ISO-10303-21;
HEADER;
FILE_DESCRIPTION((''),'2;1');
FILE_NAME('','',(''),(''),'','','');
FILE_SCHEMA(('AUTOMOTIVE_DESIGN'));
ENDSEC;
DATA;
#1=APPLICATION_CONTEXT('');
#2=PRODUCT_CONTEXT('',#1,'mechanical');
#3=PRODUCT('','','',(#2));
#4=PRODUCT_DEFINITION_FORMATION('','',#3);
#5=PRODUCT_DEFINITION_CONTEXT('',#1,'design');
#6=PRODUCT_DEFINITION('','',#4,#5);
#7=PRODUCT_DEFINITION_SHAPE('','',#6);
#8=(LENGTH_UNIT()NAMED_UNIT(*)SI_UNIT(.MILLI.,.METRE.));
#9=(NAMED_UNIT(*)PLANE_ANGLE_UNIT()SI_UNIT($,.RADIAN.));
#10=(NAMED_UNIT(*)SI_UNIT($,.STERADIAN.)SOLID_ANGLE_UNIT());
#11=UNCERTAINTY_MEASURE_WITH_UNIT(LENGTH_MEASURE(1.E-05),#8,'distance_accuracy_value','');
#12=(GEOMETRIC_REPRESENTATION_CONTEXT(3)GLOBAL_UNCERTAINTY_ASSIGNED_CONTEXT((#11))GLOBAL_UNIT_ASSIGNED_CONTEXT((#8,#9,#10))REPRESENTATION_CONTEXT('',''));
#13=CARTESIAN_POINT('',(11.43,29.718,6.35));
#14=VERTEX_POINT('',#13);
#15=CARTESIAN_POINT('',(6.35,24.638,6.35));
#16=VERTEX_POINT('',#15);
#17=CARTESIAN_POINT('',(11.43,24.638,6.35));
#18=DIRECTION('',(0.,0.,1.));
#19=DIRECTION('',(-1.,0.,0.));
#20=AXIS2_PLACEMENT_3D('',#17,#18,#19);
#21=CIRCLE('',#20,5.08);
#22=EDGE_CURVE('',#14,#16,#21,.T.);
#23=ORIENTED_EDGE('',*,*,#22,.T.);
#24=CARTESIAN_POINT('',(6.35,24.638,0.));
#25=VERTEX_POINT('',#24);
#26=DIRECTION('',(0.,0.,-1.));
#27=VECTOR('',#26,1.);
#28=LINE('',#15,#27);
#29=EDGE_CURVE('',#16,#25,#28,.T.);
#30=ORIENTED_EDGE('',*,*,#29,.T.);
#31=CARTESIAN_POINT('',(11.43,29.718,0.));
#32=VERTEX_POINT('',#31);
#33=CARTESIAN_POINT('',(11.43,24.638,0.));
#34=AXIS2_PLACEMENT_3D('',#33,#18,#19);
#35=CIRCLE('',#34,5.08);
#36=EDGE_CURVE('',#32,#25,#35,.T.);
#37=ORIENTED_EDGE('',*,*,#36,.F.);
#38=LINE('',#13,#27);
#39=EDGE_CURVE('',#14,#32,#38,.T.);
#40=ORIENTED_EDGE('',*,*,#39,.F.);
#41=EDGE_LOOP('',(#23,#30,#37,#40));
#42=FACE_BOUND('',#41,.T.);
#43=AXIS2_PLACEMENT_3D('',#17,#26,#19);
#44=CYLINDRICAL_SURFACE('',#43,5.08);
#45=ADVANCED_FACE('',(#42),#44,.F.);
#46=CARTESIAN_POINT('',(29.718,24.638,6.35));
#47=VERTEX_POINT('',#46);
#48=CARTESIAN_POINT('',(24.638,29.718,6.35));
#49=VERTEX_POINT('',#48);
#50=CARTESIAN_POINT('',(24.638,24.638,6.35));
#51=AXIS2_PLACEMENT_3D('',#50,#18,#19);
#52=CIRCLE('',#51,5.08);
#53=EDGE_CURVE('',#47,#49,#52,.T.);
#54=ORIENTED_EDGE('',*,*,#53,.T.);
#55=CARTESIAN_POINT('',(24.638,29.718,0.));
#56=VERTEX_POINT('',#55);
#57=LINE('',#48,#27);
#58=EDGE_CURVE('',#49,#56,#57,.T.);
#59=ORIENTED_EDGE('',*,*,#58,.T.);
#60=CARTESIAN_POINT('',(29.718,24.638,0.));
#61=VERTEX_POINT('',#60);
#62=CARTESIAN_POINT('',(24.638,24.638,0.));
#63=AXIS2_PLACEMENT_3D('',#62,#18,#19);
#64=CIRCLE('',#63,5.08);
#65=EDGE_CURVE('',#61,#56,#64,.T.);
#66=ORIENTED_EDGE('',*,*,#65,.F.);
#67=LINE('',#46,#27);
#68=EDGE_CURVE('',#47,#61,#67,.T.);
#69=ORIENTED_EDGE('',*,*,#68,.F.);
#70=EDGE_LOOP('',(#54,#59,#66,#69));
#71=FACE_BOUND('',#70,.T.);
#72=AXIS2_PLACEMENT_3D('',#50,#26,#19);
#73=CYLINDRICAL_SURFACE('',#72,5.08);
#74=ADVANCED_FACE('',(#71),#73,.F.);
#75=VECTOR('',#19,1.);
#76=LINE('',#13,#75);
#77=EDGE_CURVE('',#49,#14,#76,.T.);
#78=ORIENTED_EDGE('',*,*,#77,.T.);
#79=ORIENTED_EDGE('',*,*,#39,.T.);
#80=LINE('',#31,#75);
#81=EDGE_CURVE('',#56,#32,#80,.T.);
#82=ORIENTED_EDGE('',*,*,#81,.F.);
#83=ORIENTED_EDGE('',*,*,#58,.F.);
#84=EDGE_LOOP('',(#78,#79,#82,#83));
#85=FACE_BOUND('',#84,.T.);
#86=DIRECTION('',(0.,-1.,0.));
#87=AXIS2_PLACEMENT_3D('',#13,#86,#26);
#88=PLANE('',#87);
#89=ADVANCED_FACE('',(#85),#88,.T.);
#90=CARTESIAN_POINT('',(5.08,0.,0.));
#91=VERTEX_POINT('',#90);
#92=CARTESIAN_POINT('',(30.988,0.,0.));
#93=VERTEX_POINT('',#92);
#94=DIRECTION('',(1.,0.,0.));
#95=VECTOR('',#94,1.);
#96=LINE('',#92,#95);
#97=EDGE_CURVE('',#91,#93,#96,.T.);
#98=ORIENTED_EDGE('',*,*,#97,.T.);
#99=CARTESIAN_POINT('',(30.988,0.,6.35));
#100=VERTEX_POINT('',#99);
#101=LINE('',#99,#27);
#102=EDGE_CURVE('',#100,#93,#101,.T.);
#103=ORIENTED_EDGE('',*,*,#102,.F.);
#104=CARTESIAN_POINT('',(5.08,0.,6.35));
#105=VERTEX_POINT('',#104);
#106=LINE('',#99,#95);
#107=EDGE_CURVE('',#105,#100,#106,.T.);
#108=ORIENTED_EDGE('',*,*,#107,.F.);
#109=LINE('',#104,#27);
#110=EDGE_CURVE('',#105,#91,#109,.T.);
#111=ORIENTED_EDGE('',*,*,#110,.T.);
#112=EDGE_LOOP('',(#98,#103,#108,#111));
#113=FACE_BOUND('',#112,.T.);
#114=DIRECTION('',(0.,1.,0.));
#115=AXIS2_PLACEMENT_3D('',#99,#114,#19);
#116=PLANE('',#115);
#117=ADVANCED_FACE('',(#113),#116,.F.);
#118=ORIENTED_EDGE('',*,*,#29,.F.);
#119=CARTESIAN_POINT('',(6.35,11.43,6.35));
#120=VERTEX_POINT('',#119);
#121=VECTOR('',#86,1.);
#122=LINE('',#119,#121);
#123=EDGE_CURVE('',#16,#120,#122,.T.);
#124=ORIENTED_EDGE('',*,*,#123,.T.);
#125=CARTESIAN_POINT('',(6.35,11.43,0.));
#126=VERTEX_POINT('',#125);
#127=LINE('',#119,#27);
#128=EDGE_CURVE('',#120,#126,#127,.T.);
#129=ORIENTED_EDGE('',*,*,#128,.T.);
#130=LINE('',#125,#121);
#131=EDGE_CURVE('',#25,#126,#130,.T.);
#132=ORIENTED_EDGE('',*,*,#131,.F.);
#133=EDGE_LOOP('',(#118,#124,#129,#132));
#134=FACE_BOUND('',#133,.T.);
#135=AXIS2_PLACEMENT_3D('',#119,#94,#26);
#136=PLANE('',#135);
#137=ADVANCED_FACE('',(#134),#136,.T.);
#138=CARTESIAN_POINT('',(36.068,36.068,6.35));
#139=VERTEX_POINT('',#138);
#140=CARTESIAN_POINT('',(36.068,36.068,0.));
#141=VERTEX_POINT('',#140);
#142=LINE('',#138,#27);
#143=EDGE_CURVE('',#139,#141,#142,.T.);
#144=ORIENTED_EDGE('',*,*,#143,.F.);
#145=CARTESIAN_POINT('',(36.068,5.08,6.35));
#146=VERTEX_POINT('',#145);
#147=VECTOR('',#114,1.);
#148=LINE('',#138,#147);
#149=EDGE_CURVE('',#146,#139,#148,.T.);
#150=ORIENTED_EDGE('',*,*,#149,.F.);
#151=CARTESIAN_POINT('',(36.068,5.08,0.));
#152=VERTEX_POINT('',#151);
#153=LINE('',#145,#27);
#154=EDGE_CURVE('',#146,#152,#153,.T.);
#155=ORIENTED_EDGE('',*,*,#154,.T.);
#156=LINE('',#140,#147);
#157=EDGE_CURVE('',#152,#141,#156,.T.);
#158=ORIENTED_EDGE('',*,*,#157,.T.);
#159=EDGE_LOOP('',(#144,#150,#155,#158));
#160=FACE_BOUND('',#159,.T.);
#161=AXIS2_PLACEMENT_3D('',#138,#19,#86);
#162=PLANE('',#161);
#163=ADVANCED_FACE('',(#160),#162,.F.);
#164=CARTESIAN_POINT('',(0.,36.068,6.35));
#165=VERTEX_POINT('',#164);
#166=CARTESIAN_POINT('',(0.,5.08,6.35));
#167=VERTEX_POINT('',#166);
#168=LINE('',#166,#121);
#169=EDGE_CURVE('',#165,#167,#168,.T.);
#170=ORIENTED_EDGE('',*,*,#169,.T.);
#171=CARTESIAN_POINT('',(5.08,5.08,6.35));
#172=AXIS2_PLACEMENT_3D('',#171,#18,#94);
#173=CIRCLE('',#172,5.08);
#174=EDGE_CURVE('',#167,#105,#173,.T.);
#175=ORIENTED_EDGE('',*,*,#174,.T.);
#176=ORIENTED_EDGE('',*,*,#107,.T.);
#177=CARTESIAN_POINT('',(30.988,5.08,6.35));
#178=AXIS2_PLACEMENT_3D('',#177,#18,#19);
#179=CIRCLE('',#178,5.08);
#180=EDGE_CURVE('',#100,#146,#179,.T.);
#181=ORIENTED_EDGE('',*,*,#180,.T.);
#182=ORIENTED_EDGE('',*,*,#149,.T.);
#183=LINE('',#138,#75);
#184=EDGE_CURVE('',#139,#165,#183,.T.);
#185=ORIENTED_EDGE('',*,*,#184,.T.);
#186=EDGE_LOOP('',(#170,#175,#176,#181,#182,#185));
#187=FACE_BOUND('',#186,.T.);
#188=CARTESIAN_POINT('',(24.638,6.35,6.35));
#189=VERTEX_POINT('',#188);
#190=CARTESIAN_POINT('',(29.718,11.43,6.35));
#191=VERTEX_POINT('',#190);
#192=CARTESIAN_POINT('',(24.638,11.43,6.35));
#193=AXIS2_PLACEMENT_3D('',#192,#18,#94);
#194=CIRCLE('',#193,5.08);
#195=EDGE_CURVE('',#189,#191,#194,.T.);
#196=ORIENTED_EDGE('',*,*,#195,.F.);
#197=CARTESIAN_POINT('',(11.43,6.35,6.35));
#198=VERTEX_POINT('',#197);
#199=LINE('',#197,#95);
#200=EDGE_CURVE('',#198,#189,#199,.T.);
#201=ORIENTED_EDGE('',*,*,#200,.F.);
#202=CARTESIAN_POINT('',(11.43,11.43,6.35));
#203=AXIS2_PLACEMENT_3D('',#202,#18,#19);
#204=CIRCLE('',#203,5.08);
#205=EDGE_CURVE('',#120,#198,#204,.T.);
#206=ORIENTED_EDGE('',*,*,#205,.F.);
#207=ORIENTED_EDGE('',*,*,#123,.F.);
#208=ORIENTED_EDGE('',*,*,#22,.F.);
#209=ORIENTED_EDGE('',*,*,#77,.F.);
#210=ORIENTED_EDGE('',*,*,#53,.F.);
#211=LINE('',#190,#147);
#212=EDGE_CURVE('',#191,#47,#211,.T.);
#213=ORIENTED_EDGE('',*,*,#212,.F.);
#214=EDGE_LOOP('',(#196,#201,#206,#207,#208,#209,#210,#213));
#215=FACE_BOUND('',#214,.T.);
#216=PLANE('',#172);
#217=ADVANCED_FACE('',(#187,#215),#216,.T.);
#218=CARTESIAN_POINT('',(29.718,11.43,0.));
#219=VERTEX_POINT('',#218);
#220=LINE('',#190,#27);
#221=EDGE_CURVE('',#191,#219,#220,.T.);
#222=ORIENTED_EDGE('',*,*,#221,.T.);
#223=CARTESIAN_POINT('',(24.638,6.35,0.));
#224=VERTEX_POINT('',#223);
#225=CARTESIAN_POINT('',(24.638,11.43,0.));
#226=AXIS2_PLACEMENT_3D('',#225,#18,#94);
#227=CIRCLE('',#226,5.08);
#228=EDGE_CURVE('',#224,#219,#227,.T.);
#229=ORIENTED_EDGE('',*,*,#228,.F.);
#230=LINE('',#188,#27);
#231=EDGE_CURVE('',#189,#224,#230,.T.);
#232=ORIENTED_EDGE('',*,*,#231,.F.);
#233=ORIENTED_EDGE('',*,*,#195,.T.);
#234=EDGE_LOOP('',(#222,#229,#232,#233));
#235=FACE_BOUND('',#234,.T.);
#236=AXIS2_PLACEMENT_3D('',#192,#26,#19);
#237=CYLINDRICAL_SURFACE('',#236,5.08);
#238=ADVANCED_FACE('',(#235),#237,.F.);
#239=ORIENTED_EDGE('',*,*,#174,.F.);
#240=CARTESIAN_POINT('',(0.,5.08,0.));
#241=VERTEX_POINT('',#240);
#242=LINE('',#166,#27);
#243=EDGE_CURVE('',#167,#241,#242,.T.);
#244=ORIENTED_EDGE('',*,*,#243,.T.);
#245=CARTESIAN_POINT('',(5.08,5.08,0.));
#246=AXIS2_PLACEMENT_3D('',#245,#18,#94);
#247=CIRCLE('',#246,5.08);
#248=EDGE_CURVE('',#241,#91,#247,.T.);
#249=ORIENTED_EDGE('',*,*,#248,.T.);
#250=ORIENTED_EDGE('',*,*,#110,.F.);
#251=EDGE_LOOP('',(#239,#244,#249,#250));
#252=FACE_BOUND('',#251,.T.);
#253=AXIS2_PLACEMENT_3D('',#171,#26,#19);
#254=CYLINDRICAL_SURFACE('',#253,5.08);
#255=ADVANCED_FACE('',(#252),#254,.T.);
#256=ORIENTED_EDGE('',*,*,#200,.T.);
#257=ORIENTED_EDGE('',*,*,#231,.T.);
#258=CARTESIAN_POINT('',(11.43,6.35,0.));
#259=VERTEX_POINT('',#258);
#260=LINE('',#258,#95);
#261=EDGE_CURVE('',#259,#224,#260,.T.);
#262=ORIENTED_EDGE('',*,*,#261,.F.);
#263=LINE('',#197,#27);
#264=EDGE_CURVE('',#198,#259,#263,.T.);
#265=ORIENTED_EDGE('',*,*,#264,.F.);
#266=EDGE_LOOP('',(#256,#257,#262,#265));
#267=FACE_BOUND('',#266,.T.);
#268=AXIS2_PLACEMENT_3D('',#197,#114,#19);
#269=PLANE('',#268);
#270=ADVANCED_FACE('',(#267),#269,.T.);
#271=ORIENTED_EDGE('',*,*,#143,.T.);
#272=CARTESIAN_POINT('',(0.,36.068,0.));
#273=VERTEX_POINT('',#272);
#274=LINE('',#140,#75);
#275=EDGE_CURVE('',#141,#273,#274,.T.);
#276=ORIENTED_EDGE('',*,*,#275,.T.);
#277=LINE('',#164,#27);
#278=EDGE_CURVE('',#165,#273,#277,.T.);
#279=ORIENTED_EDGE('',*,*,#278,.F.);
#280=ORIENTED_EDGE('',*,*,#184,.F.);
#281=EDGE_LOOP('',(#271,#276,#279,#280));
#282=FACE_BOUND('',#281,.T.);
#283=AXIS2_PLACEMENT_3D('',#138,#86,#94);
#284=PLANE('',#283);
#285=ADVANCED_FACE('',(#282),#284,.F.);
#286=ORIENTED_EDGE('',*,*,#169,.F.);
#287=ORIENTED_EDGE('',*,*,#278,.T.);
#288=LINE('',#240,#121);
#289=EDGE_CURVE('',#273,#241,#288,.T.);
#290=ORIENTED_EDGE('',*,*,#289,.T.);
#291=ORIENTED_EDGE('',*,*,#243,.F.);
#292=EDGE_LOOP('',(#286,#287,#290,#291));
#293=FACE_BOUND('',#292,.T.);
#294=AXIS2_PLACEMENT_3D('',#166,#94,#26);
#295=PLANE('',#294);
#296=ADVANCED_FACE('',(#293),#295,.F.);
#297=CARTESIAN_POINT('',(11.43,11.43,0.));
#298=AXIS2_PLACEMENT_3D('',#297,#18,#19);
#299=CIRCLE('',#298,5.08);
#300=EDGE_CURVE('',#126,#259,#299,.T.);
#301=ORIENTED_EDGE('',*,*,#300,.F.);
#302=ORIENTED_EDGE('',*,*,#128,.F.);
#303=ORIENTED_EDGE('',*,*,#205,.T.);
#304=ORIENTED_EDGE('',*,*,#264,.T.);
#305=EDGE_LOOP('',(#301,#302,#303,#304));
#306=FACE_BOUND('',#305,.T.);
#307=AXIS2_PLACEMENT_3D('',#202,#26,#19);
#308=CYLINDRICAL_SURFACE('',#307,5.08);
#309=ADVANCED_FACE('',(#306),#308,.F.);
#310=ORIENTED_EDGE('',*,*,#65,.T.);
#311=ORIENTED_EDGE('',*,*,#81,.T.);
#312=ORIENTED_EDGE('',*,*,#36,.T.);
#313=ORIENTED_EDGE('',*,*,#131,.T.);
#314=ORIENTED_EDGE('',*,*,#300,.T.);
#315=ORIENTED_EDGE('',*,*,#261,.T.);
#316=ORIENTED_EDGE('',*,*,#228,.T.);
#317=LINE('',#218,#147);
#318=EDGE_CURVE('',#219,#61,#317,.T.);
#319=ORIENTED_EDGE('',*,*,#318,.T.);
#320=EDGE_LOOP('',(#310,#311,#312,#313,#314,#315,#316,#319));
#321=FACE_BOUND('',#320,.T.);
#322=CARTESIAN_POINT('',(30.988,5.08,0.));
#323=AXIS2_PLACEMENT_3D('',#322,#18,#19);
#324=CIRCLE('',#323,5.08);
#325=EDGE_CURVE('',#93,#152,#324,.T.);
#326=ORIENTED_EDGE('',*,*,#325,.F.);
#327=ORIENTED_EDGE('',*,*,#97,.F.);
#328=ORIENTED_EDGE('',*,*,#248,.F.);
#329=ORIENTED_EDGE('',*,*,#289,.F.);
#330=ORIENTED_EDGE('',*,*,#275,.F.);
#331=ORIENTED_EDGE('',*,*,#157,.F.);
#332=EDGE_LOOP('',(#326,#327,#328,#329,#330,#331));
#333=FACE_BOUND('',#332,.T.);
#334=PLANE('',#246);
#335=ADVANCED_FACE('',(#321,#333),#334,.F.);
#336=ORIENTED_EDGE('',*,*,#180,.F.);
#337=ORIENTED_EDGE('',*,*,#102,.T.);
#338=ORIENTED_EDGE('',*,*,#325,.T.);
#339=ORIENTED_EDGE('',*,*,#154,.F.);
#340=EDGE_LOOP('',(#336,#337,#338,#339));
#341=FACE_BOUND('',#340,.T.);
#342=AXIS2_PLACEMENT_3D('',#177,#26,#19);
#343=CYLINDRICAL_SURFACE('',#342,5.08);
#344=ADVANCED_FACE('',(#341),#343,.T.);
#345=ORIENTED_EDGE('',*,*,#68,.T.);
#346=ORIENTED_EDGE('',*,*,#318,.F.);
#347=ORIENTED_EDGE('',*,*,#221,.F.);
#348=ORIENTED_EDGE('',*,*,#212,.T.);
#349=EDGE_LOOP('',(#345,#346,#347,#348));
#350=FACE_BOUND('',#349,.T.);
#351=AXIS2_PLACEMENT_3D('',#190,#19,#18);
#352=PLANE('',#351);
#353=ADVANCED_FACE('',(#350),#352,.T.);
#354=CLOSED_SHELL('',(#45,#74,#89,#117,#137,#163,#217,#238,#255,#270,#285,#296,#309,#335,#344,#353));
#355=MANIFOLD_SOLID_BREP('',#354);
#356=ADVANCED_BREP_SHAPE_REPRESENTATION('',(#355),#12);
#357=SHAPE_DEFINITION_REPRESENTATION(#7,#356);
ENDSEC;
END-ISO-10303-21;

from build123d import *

# Parameters (mm, degrees)
BOSS_EXTRUDE1_DEPTH = 6.35


with BuildPart() as part:
    # Sketch1 → Boss-Extrude1 (new body)
    with BuildSketch(Plane.XY):
        with BuildLine():
            Line((0, 5.08), (0, 36.068))
            Line((0, 36.068), (36.068, 36.068))
            Line((36.068, 36.068), (36.068, 5.08))
            ThreePointArc((36.068, 5.08), (34.580102448, 1.487897552), (30.988, 0))
            Line((30.988, 0), (5.08, 0))
            ThreePointArc((5.08, 0), (1.487897552, 1.487897552), (0, 5.08))
        make_face()
        with BuildLine():
            Line((11.43, 6.35), (24.638, 6.35))
            ThreePointArc((24.638, 6.35), (28.230102448, 7.837897552), (29.718, 11.43))
            Line((29.718, 11.43), (29.718, 24.638))
            ThreePointArc((29.718, 24.638), (28.230102448, 28.230102448), (24.638, 29.718))
            Line((24.638, 29.718), (11.43, 29.718))
            ThreePointArc((11.43, 29.718), (7.837897552, 28.230102448), (6.35, 24.638))
            Line((6.35, 24.638), (6.35, 11.43))
            ThreePointArc((6.35, 11.43), (7.837897552, 7.837897552), (11.43, 6.35))
        make_face(mode=Mode.SUBTRACT)
    extrude(amount=BOSS_EXTRUDE1_DEPTH)


solid = part.part
